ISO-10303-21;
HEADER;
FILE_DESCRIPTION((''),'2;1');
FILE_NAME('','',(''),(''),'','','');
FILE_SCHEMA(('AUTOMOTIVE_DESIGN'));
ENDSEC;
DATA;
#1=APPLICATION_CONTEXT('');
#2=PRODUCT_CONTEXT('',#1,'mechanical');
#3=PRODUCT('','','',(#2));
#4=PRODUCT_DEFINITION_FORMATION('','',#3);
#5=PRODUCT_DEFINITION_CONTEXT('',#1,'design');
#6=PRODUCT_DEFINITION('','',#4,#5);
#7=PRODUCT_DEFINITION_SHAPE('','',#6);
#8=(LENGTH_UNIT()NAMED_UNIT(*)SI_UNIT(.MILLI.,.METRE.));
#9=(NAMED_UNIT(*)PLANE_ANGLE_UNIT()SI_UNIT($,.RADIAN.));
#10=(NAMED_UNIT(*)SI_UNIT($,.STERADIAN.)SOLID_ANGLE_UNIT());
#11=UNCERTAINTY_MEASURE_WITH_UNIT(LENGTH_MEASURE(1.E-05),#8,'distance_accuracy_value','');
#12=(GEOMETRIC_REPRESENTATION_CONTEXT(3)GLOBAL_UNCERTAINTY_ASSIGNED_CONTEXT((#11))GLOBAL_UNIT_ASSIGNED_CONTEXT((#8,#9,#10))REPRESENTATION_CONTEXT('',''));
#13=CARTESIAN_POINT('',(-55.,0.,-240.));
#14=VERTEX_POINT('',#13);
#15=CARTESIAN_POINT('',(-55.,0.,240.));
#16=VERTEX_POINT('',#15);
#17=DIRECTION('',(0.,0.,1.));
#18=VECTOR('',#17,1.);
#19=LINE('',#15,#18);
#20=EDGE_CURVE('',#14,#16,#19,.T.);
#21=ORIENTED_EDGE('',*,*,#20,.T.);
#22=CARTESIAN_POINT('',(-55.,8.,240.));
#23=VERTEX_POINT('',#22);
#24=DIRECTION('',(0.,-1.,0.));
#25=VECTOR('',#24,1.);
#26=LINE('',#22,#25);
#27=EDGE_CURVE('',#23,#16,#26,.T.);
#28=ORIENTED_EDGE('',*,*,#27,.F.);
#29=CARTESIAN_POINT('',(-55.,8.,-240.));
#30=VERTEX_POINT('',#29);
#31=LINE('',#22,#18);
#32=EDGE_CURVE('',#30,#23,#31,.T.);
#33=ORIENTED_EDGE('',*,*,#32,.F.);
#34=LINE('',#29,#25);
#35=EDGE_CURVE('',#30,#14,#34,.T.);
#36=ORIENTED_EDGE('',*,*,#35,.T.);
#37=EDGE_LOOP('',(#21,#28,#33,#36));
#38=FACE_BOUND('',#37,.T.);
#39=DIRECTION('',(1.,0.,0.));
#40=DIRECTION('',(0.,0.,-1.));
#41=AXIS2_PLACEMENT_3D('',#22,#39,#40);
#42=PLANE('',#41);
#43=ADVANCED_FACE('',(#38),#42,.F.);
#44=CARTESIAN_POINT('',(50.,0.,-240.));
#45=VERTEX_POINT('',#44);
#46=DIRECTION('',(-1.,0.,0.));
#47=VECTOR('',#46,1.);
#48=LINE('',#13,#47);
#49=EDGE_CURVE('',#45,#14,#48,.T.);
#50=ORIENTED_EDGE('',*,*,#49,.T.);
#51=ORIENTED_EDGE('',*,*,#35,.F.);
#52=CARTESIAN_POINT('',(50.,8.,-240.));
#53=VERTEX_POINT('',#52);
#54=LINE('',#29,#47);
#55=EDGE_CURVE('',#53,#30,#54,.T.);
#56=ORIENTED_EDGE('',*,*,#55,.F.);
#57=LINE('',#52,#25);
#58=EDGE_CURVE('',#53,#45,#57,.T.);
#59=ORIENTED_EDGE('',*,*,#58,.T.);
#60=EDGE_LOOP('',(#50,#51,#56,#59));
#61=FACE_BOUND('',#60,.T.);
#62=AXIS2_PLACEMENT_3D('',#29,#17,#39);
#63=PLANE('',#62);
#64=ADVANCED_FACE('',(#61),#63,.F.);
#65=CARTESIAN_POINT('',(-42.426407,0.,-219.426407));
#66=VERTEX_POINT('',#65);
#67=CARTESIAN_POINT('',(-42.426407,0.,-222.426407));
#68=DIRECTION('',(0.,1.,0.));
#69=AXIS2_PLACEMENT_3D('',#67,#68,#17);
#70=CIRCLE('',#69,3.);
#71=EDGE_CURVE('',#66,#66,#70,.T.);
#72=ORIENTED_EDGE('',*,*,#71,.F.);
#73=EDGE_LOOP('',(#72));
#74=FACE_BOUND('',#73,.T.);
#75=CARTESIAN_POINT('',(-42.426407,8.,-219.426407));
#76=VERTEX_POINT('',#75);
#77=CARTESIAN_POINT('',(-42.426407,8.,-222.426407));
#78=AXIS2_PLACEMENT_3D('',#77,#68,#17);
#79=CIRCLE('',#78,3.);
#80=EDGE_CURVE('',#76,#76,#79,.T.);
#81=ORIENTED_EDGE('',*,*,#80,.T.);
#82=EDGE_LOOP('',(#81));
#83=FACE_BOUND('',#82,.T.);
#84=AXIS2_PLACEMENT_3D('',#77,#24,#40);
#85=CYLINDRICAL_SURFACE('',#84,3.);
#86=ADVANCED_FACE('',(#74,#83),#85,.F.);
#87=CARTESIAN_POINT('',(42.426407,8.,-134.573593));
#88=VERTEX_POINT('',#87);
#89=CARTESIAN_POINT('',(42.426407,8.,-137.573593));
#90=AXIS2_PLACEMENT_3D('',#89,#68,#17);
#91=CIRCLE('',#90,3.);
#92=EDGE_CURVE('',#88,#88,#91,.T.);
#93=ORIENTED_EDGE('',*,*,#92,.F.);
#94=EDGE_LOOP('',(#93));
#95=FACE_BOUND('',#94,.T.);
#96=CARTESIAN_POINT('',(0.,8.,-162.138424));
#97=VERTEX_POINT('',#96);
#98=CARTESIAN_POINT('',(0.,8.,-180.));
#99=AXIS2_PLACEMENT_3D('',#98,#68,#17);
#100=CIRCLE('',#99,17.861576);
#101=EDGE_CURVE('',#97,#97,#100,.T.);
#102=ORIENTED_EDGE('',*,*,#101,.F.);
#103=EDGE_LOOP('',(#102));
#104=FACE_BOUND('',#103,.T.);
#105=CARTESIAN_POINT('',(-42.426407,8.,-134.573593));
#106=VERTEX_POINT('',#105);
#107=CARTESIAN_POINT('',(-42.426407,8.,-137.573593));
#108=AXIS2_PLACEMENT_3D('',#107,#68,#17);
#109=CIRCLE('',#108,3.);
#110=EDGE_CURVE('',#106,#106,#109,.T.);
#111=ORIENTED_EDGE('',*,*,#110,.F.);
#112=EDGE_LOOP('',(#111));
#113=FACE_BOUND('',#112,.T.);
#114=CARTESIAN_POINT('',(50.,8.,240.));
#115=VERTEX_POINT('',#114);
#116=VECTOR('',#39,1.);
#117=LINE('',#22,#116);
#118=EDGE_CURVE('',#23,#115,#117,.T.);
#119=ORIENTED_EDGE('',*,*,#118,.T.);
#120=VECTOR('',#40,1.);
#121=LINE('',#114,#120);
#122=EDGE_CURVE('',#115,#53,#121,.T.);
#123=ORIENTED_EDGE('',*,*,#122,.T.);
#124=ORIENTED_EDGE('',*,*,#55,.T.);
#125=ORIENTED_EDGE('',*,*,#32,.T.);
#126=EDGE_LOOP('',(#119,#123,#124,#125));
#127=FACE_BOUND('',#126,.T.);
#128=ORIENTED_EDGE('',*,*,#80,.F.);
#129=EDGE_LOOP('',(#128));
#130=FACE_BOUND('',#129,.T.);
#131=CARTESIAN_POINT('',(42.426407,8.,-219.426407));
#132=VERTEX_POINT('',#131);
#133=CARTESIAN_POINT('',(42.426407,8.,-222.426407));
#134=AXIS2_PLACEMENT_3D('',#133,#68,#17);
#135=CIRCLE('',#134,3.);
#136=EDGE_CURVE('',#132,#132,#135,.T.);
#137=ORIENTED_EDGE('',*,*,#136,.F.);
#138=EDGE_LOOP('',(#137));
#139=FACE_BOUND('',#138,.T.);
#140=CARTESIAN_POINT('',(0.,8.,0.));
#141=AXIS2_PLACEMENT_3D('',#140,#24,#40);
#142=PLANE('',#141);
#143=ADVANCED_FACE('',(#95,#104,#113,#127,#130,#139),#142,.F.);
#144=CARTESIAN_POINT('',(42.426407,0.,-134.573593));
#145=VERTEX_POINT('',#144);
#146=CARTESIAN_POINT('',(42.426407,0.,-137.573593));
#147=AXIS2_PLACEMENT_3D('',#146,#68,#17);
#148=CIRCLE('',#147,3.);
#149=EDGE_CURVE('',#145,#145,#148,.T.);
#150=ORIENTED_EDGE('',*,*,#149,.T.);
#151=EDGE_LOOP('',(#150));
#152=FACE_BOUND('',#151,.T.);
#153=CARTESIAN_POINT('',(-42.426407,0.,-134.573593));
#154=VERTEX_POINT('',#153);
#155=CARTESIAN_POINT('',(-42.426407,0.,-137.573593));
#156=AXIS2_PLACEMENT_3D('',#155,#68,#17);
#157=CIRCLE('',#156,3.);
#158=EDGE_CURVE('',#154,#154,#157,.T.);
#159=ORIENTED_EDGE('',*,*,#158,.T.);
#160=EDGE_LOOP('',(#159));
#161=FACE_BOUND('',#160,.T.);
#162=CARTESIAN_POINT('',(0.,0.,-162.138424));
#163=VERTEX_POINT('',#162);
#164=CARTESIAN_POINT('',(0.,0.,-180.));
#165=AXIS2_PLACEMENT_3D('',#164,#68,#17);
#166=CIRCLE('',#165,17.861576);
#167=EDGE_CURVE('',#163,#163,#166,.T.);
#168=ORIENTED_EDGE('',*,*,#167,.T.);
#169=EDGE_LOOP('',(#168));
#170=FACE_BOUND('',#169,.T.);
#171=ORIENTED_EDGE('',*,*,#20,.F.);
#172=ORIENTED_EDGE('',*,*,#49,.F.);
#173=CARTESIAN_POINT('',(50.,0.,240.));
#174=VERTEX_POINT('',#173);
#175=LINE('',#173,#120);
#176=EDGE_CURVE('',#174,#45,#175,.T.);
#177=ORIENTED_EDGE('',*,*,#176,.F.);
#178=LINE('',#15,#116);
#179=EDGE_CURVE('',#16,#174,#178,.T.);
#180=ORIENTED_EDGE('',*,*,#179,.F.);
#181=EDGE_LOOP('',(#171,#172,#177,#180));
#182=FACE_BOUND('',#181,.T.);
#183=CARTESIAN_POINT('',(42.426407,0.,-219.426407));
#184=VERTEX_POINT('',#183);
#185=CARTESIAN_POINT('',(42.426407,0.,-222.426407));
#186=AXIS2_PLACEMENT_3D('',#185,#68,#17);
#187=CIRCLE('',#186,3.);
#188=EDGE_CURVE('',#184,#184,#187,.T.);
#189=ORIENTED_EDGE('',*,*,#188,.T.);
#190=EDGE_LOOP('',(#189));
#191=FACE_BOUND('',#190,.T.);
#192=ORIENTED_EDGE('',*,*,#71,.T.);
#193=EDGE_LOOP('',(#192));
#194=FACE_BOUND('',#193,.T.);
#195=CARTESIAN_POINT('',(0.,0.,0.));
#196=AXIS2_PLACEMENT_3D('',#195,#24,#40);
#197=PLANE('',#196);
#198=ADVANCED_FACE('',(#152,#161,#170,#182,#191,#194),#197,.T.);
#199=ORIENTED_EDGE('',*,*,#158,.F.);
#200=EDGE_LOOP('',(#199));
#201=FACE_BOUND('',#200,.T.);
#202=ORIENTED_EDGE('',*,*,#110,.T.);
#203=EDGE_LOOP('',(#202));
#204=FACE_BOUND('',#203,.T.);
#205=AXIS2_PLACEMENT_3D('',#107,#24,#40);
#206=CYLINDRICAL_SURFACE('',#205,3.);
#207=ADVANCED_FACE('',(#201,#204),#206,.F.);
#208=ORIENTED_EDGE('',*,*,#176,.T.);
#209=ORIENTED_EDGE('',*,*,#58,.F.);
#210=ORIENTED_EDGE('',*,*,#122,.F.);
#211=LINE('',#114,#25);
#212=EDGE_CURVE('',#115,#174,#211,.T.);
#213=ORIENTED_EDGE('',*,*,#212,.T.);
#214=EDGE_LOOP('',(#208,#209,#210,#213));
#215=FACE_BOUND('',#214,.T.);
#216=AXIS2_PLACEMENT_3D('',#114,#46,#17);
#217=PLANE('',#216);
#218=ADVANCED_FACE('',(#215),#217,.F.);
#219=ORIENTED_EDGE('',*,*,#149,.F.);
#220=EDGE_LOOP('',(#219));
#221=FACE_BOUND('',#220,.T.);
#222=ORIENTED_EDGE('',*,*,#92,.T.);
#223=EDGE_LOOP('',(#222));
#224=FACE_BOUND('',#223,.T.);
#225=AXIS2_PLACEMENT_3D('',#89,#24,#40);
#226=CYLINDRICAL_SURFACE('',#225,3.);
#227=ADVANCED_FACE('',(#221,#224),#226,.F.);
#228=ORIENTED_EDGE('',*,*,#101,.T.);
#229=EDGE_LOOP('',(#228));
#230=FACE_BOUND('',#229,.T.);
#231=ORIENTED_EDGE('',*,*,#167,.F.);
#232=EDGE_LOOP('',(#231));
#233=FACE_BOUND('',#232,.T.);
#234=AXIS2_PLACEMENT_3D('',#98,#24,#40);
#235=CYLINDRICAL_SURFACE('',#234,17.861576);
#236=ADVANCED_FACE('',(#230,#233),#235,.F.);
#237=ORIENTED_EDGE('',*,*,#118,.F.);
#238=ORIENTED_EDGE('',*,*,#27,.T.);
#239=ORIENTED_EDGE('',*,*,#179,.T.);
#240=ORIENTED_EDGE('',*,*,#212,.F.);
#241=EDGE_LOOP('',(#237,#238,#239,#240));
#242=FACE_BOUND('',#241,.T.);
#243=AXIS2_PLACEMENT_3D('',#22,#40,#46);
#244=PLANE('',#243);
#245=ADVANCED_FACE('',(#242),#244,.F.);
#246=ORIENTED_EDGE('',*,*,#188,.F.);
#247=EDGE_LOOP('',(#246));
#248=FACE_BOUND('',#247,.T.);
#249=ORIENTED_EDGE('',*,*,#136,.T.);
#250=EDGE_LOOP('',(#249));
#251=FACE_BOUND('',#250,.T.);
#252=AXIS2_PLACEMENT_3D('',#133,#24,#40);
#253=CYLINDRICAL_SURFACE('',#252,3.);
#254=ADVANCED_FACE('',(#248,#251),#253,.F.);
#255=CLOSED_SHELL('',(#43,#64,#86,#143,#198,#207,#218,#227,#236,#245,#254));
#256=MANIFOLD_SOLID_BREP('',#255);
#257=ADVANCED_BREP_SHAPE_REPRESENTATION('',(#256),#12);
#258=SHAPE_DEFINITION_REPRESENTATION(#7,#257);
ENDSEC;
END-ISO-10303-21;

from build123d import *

# Parameters (mm, degrees)
SKETCH1_W           = 105
SKETCH1_H           = 480
SKETCH1_R           = 17.861575789
SKETCH1_R_2         = 3
BOSS_EXTRUDE1_DEPTH = 8


with BuildPart() as part:
    # Sketch1 → Boss-Extrude1 (new body)
    with BuildSketch(Plane(origin=(0, 0, 0), x_dir=(1, 0, 0), z_dir=(0, 1, 0))):
        with Locations((-2.5, 0)):
            Rectangle(SKETCH1_W, SKETCH1_H)
        with Locations(Location((0, 180, 0), (0, 0, 270))):
            Circle(SKETCH1_R, mode=Mode.SUBTRACT)
        with Locations(Location((-42.426406871, 137.573593129, 0), (0, 0, 270))):
            Circle(SKETCH1_R_2, mode=Mode.SUBTRACT)
        with Locations(Location((-42.426406871, 222.426406871, 0), (0, 0, 270))):
            Circle(SKETCH1_R_2, mode=Mode.SUBTRACT)
        with Locations(Location((42.426406871, 222.426406871, 0), (0, 0, 270))):
            Circle(SKETCH1_R_2, mode=Mode.SUBTRACT)
        with Locations(Location((42.426406871, 137.573593129, 0), (0, 0, 270))):
            Circle(SKETCH1_R_2, mode=Mode.SUBTRACT)
    extrude(amount=BOSS_EXTRUDE1_DEPTH)


solid = part.part
